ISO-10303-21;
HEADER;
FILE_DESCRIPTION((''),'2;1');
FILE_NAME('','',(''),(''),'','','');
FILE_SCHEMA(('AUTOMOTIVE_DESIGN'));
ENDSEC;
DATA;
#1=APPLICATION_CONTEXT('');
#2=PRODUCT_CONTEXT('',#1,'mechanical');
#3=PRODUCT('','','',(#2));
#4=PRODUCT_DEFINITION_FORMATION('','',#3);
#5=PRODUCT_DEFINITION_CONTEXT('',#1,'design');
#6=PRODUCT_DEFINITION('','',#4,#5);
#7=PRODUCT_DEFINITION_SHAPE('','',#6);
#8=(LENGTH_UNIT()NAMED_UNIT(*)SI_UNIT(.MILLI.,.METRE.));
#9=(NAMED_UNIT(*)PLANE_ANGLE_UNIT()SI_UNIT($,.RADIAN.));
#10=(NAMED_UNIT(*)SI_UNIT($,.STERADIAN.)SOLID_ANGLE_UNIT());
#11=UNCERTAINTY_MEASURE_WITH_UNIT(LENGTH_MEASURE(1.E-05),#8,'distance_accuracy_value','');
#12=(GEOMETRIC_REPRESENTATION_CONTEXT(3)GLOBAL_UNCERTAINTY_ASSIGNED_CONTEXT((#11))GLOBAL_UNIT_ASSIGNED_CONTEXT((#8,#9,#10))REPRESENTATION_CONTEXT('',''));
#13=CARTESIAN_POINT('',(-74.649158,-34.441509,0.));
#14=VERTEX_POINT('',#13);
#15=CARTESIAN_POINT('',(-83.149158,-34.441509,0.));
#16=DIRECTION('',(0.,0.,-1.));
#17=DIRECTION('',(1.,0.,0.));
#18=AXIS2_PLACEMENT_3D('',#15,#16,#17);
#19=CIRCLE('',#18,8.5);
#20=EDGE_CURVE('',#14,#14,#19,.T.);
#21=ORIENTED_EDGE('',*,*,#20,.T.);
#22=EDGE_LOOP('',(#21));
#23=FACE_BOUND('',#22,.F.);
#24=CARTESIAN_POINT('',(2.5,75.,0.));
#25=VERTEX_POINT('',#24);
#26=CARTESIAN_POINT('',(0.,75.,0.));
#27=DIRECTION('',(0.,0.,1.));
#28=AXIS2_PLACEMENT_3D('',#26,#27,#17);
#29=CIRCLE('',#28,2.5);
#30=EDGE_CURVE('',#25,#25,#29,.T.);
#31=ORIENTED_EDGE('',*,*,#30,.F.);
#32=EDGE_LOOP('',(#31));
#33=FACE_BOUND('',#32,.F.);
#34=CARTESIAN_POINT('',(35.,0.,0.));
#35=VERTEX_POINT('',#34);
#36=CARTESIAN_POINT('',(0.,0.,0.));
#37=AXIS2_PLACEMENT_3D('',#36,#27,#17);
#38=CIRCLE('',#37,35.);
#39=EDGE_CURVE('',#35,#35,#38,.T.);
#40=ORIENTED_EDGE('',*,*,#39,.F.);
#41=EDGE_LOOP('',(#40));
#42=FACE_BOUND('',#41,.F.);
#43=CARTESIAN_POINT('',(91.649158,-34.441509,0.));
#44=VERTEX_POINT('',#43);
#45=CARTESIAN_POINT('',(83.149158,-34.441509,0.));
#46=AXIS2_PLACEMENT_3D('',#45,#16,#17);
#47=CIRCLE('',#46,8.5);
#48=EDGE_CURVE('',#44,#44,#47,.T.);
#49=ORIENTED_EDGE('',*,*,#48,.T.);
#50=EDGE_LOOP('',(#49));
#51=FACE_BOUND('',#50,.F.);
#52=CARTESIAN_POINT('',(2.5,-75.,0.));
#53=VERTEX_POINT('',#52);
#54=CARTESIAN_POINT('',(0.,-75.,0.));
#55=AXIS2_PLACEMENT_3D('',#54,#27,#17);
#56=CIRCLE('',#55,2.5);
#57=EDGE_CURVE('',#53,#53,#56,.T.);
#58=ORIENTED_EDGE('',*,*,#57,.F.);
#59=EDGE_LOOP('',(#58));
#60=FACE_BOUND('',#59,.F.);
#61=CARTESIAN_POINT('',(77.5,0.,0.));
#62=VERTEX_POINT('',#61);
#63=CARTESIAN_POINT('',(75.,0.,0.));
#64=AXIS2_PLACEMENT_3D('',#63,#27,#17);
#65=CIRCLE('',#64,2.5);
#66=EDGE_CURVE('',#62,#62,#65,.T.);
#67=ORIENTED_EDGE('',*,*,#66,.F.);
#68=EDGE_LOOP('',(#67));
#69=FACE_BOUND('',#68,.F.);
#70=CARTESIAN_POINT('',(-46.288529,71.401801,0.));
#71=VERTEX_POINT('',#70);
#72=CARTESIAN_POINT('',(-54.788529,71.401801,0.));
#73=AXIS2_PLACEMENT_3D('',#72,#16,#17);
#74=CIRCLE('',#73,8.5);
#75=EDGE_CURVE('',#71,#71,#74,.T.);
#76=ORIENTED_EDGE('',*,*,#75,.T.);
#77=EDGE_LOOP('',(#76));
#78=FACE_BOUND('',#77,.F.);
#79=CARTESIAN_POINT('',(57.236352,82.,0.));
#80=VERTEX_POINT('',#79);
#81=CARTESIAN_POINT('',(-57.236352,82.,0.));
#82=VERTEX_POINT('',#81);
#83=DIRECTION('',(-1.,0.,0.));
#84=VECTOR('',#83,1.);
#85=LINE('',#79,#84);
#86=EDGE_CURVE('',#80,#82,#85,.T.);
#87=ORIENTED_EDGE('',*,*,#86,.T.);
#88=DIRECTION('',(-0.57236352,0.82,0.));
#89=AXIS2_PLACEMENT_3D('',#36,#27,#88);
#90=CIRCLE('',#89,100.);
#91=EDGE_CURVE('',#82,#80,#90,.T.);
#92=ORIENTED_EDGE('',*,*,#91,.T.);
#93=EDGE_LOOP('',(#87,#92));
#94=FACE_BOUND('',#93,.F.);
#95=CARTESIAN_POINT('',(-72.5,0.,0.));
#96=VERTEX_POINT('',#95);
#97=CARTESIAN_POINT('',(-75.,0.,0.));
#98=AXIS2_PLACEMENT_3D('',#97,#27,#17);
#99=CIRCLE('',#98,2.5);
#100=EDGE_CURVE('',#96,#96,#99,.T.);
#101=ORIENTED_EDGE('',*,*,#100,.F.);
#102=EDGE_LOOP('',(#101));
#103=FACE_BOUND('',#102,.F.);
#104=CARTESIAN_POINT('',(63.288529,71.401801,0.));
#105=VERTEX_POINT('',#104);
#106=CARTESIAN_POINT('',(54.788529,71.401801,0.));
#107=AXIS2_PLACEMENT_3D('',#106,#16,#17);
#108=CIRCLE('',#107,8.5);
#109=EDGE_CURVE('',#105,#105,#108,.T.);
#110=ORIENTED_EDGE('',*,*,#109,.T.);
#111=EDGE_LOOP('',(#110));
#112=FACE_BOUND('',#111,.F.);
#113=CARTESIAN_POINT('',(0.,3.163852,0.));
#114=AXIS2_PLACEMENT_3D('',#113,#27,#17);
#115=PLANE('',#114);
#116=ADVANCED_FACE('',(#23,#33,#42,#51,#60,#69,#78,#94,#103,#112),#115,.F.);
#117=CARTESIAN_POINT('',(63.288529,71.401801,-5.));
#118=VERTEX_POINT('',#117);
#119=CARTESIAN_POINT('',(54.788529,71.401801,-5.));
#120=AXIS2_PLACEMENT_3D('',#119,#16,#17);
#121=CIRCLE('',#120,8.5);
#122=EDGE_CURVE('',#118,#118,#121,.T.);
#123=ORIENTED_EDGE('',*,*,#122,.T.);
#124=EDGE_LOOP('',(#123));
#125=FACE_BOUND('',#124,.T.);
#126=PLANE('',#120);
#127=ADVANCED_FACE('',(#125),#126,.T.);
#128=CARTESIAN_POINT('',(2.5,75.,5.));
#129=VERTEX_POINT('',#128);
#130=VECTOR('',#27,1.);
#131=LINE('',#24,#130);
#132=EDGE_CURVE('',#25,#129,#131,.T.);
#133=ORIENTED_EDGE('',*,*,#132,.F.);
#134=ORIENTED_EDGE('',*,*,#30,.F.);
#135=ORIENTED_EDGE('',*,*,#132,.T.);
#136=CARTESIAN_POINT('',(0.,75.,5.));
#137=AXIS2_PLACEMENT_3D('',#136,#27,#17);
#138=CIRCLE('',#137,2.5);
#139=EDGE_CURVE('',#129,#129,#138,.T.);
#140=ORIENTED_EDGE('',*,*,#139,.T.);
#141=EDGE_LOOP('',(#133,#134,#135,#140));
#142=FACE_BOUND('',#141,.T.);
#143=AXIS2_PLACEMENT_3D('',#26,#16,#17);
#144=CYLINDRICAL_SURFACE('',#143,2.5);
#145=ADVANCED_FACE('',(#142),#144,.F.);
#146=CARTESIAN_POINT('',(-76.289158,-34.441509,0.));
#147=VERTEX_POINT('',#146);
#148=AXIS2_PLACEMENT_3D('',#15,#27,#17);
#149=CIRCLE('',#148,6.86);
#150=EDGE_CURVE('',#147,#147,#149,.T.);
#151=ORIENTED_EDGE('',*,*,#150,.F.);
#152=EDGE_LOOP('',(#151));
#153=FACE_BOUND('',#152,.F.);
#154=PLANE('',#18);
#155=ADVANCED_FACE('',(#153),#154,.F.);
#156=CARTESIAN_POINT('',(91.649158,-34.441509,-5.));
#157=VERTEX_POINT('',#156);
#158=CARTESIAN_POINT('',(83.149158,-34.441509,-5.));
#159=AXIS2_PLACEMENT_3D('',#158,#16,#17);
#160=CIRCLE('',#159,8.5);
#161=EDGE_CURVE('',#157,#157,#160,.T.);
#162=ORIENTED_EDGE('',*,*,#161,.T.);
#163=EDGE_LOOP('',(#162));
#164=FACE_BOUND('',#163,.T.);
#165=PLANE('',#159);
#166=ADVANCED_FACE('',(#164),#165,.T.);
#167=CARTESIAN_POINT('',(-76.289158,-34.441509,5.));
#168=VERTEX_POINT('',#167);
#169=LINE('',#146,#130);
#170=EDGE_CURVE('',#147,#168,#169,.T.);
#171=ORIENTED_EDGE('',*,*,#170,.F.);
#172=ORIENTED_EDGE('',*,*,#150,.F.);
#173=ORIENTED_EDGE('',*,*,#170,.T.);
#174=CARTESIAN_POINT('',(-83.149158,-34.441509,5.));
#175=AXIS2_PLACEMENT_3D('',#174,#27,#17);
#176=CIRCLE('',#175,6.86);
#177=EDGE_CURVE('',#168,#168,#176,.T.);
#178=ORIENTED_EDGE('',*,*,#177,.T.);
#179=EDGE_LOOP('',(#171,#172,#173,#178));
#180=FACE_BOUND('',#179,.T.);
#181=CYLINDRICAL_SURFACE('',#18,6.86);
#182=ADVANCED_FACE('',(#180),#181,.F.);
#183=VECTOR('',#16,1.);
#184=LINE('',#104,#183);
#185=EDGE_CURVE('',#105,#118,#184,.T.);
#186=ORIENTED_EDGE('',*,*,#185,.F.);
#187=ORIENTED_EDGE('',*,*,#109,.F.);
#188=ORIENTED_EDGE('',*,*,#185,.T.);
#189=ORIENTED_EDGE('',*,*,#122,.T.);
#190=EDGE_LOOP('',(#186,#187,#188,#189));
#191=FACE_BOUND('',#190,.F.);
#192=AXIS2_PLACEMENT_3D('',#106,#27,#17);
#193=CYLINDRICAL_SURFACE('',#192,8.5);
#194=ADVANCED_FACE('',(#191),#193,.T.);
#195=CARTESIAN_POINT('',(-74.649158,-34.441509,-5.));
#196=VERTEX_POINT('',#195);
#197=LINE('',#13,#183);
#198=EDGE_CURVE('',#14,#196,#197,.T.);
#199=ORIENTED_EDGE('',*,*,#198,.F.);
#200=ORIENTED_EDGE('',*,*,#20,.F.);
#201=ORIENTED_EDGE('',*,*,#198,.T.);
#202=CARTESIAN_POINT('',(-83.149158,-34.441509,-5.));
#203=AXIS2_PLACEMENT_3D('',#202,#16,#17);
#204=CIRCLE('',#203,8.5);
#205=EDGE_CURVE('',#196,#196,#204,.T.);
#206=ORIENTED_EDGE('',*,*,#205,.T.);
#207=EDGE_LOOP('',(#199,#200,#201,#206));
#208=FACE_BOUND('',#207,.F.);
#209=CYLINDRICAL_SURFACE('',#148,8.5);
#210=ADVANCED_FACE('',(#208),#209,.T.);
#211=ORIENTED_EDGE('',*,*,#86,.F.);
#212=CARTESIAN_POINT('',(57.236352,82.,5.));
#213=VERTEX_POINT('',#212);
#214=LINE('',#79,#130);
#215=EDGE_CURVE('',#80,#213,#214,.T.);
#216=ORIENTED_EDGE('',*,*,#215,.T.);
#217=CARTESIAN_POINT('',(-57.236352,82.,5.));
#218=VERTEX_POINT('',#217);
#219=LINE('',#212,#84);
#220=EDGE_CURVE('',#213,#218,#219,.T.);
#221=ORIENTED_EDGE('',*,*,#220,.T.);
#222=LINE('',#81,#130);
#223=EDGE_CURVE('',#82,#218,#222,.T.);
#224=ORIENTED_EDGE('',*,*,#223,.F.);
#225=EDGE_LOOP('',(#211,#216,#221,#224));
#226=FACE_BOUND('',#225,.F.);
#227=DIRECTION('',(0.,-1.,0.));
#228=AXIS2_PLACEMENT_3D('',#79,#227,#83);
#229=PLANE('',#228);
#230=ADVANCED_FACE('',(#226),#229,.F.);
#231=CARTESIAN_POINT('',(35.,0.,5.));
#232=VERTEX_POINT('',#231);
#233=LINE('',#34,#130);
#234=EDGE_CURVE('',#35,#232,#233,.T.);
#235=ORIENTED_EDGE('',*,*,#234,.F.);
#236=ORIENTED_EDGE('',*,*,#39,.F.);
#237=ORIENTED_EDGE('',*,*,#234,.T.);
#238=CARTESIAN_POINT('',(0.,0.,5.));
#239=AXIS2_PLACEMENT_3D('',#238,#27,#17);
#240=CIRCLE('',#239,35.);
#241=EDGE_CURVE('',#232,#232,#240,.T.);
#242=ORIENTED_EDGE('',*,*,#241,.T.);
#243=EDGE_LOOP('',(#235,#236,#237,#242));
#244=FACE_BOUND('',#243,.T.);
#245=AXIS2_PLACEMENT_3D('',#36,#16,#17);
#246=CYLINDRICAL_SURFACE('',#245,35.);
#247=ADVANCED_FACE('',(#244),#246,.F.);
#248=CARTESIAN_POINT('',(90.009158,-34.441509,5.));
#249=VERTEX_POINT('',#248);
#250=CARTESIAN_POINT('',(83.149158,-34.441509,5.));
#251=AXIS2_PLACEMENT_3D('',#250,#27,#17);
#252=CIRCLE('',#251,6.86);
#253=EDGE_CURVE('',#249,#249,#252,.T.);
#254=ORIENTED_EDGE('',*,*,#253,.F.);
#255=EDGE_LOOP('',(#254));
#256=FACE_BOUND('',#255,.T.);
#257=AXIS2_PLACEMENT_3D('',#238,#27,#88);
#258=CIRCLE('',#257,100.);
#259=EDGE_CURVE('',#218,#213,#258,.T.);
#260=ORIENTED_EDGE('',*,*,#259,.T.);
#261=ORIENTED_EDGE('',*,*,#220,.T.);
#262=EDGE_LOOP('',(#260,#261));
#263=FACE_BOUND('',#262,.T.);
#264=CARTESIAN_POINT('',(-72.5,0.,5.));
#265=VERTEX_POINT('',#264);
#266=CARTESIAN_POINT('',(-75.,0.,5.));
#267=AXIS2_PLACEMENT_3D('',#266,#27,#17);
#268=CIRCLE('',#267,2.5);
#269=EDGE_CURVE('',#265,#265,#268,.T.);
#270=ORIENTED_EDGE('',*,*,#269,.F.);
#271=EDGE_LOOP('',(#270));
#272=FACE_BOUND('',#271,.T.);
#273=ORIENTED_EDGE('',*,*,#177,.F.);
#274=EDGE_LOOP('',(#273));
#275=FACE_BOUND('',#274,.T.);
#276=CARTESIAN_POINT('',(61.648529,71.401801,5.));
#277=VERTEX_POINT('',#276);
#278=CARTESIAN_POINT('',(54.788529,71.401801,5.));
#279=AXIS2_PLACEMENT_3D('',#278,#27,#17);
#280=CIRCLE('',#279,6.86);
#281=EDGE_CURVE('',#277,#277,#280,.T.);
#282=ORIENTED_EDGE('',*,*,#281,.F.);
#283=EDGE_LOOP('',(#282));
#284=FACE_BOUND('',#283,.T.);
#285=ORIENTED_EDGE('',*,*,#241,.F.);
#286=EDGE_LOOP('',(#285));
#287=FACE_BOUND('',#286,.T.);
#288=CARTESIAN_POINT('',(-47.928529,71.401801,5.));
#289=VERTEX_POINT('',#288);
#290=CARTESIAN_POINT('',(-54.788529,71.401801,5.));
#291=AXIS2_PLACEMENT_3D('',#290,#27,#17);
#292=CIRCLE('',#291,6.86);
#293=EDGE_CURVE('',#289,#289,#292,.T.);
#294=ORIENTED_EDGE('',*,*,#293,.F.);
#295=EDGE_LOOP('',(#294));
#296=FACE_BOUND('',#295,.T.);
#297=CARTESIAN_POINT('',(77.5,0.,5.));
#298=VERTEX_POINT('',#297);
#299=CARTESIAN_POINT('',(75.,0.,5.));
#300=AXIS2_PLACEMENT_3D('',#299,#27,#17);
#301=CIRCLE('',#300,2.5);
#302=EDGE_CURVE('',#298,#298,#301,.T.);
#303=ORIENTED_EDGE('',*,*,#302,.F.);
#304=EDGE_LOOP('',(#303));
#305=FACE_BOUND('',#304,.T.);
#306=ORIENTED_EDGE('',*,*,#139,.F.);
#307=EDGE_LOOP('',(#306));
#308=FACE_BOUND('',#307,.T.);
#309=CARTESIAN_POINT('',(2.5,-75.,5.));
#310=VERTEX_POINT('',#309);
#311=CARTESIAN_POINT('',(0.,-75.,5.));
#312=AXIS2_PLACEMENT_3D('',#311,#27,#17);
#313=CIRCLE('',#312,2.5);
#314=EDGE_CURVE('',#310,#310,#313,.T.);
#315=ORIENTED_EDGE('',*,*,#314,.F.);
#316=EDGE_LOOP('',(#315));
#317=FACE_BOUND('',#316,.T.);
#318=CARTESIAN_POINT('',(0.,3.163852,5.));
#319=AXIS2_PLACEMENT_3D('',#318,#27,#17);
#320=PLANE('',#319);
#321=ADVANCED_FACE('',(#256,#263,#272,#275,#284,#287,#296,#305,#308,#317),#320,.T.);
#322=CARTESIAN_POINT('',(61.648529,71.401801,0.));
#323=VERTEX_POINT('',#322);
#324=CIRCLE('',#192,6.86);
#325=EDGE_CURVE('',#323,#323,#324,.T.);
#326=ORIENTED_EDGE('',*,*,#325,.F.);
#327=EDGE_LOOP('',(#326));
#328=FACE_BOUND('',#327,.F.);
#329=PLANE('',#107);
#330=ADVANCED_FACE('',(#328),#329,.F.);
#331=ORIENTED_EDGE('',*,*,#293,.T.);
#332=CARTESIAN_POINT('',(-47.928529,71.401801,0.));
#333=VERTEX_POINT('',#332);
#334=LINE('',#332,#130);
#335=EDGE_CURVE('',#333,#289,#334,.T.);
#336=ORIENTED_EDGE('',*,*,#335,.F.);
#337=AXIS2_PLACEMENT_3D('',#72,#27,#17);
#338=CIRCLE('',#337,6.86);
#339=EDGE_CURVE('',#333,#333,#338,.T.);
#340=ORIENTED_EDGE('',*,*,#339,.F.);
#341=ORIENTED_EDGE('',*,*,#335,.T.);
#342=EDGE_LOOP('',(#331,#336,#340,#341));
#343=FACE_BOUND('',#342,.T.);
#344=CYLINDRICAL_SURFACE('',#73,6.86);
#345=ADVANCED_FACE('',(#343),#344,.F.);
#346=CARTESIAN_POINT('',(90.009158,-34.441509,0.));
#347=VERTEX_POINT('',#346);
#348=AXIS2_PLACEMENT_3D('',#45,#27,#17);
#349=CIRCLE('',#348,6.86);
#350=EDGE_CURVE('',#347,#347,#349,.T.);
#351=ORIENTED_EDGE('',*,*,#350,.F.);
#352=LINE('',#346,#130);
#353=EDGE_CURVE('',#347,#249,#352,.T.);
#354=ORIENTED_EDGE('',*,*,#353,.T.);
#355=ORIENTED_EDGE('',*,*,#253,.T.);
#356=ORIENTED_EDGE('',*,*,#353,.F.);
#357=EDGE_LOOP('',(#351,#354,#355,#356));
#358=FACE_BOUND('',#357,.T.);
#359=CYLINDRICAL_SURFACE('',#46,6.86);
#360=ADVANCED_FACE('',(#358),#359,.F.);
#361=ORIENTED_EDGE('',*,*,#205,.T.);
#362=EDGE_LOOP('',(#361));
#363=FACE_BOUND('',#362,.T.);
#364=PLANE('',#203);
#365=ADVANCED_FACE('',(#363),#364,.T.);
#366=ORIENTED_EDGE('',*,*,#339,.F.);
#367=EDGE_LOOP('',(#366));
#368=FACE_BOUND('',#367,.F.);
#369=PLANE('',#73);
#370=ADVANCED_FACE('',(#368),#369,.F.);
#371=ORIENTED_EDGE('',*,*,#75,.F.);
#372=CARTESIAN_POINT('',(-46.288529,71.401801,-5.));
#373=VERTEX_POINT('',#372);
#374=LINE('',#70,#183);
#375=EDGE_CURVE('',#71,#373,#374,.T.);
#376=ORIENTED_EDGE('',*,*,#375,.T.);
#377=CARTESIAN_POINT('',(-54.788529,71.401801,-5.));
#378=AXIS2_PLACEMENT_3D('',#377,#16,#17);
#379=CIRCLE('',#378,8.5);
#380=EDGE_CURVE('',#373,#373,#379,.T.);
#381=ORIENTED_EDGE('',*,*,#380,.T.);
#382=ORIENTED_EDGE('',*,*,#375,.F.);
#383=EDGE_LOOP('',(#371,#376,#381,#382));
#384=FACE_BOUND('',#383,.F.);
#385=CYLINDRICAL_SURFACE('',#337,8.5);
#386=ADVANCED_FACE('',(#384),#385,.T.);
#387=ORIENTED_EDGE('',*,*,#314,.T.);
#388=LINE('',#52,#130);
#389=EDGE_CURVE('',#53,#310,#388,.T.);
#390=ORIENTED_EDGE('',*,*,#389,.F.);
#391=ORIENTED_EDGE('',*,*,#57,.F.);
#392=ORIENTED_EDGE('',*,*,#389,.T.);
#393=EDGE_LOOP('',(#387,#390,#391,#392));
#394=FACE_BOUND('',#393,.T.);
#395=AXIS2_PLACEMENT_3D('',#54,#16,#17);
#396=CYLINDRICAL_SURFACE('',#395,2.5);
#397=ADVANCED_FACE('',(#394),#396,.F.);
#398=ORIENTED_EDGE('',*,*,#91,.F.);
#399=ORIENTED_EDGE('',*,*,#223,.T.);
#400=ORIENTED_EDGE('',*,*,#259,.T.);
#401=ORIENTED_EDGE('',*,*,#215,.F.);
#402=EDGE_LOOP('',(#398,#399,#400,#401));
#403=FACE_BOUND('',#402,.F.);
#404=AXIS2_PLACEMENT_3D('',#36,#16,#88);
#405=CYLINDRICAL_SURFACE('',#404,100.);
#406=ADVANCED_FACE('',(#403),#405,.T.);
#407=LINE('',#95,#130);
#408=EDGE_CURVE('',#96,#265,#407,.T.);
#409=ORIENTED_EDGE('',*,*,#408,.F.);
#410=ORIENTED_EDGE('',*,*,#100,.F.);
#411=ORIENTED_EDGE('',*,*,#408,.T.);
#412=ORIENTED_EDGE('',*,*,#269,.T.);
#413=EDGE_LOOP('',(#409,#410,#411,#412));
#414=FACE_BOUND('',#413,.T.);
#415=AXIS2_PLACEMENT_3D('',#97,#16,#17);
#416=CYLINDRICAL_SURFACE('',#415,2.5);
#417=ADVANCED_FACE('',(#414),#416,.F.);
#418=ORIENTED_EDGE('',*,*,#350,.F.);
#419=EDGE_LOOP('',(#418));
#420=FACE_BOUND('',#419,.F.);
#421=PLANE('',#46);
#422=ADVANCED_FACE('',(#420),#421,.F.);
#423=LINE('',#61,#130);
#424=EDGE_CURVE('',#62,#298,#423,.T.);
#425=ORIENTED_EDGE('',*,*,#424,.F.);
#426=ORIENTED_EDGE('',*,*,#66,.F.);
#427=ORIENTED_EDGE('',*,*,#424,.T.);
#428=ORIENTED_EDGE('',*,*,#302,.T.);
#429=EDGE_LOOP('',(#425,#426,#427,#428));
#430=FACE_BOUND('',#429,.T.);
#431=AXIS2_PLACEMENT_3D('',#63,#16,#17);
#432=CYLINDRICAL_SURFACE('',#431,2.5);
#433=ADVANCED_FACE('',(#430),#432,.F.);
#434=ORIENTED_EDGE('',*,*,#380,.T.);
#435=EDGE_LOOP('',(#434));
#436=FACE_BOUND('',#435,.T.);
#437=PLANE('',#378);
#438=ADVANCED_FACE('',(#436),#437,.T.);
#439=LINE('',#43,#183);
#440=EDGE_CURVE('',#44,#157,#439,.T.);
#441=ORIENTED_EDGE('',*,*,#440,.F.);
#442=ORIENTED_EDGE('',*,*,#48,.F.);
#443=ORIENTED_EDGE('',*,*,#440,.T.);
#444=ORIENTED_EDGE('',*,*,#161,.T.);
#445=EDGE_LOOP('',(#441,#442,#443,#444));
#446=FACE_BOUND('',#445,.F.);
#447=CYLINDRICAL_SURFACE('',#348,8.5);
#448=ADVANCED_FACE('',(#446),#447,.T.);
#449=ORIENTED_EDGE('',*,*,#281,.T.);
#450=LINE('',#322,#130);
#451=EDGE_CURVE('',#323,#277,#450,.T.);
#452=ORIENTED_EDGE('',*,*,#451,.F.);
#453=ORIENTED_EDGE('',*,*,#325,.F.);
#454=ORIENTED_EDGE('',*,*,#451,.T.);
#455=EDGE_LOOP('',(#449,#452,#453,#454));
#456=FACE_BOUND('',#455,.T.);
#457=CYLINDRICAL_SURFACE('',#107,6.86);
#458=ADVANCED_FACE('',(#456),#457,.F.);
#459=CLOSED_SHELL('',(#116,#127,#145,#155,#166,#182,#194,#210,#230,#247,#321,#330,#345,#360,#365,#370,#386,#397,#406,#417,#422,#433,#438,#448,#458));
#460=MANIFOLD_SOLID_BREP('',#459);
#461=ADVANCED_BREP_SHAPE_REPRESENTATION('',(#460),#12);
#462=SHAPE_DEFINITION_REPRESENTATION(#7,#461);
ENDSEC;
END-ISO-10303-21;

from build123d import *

# Parameters (mm, degrees)
F0_R     = 2.5
F0_R_2   = 6.86
F0_R_3   = 35
F1_DEPTH = 5
F2_R     = 8.5
F3_DEPTH = 5


with BuildPart() as f1:
    # F0 (on Top) → F1 (new body)
    with BuildSketch(Plane.XY):
        with BuildLine():
            Line((57.236352, 82), (-57.236352, 82))
            ThreePointArc((-57.236352, 82), (0, -100), (57.236352, 82))
        make_face()
        with Locations((0, -75)):
            Circle(F0_R, mode=Mode.SUBTRACT)
        with Locations((-83.149158, -34.441509)):
            Circle(F0_R_2, mode=Mode.SUBTRACT)
        with Locations((83.149158, -34.441509)):
            Circle(F0_R_2, mode=Mode.SUBTRACT)
        with Locations((-75, 0)):
            Circle(F0_R, mode=Mode.SUBTRACT)
        Circle(F0_R_3, mode=Mode.SUBTRACT)
        with Locations((-54.788529, 71.401801)):
            Circle(F0_R_2, mode=Mode.SUBTRACT)
        with Locations((0, 75)):
            Circle(F0_R, mode=Mode.SUBTRACT)
        with Locations((75, 0)):
            Circle(F0_R, mode=Mode.SUBTRACT)
        with Locations((54.788529, 71.401801)):
            Circle(F0_R_2, mode=Mode.SUBTRACT)
    extrude(amount=F1_DEPTH)

    # F2 (on face) → F3 (join)
    with BuildSketch(Plane(origin=(0, 0, 0), x_dir=(1, 0, 0), z_dir=(0, 0, -1))):
        with Locations((83.149158, 34.441509)):
            Circle(F2_R)
        with Locations((54.788529, -71.401801)):
            Circle(F2_R)
        with Locations((-54.788529, -71.401801)):
            Circle(F2_R)
        with Locations((-83.149158, 34.441509)):
            Circle(F2_R)
    extrude(amount=F3_DEPTH)


solid = f1.part
